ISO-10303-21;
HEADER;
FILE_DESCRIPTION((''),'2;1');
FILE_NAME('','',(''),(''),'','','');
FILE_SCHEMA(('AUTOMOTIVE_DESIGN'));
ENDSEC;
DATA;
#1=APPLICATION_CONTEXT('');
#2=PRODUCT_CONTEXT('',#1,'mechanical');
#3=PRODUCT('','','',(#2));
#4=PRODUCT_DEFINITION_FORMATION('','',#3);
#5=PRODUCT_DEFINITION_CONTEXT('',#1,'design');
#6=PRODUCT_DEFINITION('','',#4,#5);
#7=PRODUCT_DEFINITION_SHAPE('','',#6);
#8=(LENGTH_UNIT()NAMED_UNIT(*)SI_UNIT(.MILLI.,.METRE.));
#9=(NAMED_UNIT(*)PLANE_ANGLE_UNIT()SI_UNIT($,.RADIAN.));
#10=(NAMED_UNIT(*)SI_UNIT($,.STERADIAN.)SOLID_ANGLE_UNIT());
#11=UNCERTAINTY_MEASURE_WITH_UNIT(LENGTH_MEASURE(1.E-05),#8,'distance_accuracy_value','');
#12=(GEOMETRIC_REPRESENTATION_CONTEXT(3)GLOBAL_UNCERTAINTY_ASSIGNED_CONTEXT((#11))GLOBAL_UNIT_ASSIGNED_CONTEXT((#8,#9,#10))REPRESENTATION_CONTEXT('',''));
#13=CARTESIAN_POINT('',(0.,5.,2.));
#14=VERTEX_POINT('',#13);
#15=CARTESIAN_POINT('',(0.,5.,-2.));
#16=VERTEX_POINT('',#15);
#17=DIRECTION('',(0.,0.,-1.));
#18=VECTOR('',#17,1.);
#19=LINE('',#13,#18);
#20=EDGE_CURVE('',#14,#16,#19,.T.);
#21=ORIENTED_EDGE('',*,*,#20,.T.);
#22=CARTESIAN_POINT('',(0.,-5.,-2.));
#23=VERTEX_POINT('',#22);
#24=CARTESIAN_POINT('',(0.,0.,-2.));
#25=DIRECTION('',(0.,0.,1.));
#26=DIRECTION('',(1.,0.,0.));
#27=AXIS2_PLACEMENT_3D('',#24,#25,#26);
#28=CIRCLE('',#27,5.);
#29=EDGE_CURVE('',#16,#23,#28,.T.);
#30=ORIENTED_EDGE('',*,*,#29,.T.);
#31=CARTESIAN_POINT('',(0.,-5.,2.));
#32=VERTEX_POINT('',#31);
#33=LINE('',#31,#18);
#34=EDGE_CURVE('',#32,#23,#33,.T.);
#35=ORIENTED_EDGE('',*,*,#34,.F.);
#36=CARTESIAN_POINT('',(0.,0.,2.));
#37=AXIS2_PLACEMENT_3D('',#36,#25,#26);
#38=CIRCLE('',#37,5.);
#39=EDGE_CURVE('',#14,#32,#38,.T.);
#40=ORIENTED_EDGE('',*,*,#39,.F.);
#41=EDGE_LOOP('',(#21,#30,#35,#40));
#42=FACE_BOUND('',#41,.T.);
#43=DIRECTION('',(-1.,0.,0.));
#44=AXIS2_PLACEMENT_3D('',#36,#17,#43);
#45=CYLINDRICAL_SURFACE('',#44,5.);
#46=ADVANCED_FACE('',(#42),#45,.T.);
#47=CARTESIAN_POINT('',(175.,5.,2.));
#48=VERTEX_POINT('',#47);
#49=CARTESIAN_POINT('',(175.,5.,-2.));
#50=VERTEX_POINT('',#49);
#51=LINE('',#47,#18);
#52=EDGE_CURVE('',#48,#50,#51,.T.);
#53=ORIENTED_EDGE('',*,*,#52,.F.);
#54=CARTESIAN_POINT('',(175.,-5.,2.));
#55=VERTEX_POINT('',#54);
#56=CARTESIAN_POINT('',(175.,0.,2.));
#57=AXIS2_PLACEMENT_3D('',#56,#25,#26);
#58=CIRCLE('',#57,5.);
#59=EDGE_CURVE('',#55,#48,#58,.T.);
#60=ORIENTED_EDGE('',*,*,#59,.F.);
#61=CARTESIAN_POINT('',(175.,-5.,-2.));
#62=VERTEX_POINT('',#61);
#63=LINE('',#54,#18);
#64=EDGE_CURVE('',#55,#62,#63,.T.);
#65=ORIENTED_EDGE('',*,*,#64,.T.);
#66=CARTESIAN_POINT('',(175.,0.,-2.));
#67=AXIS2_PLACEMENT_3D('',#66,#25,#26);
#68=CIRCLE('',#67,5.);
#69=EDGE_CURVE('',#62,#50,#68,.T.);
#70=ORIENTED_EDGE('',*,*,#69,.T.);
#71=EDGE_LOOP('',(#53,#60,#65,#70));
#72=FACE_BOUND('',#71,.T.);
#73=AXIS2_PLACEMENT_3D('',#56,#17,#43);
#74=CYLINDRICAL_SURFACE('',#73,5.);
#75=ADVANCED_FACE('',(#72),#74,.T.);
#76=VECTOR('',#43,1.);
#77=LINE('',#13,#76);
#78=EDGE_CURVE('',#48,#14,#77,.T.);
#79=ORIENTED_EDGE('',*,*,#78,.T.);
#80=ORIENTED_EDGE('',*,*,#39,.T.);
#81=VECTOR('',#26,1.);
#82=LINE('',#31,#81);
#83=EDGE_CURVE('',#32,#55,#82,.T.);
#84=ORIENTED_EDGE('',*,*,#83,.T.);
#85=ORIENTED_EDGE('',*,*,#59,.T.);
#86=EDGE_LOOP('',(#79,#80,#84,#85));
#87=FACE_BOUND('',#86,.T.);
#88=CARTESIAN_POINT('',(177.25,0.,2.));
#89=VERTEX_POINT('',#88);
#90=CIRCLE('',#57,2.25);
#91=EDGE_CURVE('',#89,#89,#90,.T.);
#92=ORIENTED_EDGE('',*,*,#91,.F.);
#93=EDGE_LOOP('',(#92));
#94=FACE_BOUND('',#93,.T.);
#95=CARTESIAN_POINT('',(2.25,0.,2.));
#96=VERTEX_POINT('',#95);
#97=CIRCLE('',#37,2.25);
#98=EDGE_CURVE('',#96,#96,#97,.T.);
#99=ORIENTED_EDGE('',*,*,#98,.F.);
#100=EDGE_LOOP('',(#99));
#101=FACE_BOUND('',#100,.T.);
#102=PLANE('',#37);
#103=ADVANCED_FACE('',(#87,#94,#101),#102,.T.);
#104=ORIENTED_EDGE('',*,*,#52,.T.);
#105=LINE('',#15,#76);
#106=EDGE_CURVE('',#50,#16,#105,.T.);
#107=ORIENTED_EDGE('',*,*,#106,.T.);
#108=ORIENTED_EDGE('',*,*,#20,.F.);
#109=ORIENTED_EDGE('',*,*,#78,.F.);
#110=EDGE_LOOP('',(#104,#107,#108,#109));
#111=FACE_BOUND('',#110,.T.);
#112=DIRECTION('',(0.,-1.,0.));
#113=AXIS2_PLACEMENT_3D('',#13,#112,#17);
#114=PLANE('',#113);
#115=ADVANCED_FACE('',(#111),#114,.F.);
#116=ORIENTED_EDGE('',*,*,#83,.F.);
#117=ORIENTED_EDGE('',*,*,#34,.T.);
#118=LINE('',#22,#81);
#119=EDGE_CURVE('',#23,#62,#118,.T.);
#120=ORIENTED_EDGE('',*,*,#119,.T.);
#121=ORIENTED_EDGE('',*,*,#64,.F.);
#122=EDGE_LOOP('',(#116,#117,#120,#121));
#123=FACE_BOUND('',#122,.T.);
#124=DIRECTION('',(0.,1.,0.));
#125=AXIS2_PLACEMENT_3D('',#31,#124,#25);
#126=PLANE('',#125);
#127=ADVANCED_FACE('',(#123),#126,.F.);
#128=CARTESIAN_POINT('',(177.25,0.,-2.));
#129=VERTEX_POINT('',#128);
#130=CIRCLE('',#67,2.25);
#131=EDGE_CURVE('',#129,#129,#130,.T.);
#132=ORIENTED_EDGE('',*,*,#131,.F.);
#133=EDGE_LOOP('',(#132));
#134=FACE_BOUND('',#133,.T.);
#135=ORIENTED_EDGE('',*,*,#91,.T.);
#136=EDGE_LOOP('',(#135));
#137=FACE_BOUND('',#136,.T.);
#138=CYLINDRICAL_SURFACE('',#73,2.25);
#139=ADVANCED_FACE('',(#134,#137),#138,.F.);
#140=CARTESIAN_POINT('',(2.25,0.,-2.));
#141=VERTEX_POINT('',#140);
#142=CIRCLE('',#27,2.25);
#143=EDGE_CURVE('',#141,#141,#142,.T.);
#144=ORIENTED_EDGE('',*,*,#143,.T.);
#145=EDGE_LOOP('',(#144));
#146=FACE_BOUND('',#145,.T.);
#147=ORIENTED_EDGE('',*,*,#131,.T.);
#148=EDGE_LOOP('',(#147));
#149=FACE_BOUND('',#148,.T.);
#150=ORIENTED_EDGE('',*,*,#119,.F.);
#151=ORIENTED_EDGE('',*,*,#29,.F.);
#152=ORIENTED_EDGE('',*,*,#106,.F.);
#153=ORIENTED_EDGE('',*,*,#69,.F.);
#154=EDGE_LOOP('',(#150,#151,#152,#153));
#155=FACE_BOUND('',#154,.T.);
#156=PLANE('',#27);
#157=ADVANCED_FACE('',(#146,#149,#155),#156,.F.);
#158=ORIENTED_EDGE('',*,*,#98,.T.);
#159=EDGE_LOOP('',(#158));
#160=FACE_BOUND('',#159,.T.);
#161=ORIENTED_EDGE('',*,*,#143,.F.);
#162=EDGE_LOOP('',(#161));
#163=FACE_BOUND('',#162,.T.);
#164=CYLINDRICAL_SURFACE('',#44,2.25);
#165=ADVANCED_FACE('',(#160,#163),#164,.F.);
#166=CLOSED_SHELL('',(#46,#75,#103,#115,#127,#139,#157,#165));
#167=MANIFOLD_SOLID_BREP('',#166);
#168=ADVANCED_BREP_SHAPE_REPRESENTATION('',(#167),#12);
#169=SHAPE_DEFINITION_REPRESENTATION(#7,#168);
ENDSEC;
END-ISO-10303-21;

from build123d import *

# Parameters (mm, degrees)
SKETCH1_R           = 2.25
BOSS_EXTRUDE1_DEPTH = 2


with BuildPart() as part:
    # Sketch1 → Boss-Extrude1 (new, symmetric)
    with BuildSketch(Plane.XY):
        with BuildLine():
            Line((0, 5), (175, 5))
            ThreePointArc((175, 5), (180, 0), (175, -5))
            Line((175, -5), (0, -5))
            ThreePointArc((0, -5), (-5, 0), (0, 5))
        make_face()
        Circle(SKETCH1_R, mode=Mode.SUBTRACT)
        with Locations((175, 0)):
            Circle(SKETCH1_R, mode=Mode.SUBTRACT)
    extrude(amount=BOSS_EXTRUDE1_DEPTH, both=True)


solid = part.part
